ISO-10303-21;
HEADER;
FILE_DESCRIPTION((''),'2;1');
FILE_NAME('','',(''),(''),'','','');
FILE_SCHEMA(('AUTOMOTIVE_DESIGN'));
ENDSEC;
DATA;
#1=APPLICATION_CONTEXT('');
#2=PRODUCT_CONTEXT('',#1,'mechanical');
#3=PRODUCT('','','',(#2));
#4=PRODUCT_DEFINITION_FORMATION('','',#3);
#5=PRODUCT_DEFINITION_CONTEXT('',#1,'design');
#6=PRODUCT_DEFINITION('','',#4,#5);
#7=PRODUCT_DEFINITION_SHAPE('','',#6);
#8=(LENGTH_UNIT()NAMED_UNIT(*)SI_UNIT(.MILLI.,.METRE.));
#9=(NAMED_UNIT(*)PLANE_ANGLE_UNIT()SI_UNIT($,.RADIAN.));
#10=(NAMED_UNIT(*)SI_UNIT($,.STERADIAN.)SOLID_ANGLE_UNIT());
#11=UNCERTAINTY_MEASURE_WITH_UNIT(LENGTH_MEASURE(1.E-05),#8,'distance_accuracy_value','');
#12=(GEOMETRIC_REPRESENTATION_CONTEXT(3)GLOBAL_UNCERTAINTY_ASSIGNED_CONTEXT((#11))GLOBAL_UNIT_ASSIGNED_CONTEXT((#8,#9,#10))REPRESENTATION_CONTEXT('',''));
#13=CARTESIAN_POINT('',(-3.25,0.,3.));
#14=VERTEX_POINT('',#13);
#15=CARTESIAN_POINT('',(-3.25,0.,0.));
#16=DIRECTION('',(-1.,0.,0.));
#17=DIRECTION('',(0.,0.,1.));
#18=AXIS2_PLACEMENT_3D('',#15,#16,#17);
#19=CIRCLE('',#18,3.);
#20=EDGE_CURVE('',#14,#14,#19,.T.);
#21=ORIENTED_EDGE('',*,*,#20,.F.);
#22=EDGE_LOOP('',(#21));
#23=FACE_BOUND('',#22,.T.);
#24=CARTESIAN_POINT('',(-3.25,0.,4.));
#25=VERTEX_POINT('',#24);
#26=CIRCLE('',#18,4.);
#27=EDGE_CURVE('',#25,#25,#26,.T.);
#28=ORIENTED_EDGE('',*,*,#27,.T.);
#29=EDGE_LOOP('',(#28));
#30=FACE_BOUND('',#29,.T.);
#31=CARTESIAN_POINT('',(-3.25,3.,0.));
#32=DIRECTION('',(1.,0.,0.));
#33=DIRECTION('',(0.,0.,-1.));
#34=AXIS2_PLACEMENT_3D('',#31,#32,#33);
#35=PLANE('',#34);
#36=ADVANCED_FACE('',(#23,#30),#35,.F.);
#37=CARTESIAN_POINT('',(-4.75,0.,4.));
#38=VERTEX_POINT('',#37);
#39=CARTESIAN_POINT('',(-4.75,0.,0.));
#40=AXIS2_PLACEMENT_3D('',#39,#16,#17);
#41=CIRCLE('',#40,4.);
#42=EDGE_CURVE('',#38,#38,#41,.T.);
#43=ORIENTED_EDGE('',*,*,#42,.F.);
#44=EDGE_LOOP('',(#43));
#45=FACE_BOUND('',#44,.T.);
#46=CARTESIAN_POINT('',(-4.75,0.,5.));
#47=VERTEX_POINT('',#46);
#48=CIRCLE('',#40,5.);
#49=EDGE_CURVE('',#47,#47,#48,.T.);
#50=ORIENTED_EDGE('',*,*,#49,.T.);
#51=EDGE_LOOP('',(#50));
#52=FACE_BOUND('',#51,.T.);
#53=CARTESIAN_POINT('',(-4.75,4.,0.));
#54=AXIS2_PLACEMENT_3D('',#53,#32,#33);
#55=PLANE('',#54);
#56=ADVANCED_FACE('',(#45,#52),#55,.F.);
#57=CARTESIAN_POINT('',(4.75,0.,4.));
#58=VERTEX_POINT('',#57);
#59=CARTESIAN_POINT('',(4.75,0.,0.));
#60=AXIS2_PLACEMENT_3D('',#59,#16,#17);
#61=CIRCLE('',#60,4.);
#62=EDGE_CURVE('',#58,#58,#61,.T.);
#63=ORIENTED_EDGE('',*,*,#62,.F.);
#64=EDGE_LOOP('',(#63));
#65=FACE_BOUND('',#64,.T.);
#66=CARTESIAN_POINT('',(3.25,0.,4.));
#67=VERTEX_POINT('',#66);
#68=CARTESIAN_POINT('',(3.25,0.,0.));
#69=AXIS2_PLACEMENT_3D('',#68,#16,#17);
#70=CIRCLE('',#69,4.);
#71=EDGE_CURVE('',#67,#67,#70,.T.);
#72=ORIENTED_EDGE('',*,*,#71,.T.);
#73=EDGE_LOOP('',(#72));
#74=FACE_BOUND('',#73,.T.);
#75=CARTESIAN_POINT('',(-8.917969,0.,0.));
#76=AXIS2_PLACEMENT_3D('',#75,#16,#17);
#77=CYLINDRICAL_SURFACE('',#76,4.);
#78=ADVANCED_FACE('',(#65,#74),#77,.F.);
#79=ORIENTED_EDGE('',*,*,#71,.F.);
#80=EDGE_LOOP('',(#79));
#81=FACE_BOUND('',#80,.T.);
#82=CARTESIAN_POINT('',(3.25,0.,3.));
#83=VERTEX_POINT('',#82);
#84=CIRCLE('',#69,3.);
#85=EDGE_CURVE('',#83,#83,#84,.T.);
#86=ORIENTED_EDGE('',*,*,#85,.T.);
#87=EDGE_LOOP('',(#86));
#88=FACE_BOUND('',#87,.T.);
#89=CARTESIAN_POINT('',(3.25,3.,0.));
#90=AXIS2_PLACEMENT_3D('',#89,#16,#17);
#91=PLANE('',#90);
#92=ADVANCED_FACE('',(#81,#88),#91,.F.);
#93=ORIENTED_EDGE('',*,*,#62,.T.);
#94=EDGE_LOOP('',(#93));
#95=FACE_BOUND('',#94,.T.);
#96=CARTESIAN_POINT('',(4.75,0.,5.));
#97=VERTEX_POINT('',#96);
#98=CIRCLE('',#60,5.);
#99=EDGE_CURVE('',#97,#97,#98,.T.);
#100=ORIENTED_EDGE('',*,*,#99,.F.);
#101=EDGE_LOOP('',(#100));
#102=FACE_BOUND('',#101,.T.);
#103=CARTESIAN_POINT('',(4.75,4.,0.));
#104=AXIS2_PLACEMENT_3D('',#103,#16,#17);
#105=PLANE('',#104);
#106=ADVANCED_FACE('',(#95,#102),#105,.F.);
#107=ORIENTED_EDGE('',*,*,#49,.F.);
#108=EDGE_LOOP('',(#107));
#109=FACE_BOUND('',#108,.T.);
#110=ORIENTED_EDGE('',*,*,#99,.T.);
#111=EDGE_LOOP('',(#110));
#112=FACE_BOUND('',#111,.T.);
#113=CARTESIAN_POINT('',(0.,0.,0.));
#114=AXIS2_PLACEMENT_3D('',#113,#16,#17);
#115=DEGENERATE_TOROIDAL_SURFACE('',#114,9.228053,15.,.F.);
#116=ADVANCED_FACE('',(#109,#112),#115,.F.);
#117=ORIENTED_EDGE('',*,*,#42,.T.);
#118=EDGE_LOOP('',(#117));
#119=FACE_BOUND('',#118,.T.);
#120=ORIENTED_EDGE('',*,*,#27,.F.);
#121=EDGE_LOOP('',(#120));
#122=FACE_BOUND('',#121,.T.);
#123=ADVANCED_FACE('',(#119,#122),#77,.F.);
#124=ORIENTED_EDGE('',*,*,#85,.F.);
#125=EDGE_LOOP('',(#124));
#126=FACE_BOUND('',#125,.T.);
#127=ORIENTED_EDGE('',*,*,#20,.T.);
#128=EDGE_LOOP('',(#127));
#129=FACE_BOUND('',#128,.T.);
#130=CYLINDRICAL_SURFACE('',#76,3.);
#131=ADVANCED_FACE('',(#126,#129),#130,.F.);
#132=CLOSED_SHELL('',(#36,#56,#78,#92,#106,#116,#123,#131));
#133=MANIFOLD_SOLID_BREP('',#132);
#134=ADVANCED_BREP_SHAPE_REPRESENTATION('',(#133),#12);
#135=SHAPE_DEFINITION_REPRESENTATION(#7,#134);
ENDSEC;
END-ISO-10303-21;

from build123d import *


with BuildPart() as part:
    # Sketch2 → Revolve1 (revolve)
    with BuildSketch(Plane.XY, mode=Mode.PRIVATE) as revolve1_sk:
        with BuildLine():
            Line((-3.25, 3), (3.25, 3))
            Line((3.25, 3), (3.25, 4))
            Line((3.25, 4), (4.75, 4))
            Line((4.75, 4), (4.75, 5))
            ThreePointArc((4.75, 5), (0, 5.771946725), (-4.75, 5))
            Line((-4.75, 5), (-4.75, 4))
            Line((-4.75, 4), (-3.25, 4))
            Line((-3.25, 4), (-3.25, 3))
        make_face()
    revolve(revolve1_sk.sketch.rotate(Axis((-8.91796875, 0, 0), (1, 0, 0)), 90), axis=Axis((-8.91796875, 0, 0), (1, 0, 0)))


solid = part.part
